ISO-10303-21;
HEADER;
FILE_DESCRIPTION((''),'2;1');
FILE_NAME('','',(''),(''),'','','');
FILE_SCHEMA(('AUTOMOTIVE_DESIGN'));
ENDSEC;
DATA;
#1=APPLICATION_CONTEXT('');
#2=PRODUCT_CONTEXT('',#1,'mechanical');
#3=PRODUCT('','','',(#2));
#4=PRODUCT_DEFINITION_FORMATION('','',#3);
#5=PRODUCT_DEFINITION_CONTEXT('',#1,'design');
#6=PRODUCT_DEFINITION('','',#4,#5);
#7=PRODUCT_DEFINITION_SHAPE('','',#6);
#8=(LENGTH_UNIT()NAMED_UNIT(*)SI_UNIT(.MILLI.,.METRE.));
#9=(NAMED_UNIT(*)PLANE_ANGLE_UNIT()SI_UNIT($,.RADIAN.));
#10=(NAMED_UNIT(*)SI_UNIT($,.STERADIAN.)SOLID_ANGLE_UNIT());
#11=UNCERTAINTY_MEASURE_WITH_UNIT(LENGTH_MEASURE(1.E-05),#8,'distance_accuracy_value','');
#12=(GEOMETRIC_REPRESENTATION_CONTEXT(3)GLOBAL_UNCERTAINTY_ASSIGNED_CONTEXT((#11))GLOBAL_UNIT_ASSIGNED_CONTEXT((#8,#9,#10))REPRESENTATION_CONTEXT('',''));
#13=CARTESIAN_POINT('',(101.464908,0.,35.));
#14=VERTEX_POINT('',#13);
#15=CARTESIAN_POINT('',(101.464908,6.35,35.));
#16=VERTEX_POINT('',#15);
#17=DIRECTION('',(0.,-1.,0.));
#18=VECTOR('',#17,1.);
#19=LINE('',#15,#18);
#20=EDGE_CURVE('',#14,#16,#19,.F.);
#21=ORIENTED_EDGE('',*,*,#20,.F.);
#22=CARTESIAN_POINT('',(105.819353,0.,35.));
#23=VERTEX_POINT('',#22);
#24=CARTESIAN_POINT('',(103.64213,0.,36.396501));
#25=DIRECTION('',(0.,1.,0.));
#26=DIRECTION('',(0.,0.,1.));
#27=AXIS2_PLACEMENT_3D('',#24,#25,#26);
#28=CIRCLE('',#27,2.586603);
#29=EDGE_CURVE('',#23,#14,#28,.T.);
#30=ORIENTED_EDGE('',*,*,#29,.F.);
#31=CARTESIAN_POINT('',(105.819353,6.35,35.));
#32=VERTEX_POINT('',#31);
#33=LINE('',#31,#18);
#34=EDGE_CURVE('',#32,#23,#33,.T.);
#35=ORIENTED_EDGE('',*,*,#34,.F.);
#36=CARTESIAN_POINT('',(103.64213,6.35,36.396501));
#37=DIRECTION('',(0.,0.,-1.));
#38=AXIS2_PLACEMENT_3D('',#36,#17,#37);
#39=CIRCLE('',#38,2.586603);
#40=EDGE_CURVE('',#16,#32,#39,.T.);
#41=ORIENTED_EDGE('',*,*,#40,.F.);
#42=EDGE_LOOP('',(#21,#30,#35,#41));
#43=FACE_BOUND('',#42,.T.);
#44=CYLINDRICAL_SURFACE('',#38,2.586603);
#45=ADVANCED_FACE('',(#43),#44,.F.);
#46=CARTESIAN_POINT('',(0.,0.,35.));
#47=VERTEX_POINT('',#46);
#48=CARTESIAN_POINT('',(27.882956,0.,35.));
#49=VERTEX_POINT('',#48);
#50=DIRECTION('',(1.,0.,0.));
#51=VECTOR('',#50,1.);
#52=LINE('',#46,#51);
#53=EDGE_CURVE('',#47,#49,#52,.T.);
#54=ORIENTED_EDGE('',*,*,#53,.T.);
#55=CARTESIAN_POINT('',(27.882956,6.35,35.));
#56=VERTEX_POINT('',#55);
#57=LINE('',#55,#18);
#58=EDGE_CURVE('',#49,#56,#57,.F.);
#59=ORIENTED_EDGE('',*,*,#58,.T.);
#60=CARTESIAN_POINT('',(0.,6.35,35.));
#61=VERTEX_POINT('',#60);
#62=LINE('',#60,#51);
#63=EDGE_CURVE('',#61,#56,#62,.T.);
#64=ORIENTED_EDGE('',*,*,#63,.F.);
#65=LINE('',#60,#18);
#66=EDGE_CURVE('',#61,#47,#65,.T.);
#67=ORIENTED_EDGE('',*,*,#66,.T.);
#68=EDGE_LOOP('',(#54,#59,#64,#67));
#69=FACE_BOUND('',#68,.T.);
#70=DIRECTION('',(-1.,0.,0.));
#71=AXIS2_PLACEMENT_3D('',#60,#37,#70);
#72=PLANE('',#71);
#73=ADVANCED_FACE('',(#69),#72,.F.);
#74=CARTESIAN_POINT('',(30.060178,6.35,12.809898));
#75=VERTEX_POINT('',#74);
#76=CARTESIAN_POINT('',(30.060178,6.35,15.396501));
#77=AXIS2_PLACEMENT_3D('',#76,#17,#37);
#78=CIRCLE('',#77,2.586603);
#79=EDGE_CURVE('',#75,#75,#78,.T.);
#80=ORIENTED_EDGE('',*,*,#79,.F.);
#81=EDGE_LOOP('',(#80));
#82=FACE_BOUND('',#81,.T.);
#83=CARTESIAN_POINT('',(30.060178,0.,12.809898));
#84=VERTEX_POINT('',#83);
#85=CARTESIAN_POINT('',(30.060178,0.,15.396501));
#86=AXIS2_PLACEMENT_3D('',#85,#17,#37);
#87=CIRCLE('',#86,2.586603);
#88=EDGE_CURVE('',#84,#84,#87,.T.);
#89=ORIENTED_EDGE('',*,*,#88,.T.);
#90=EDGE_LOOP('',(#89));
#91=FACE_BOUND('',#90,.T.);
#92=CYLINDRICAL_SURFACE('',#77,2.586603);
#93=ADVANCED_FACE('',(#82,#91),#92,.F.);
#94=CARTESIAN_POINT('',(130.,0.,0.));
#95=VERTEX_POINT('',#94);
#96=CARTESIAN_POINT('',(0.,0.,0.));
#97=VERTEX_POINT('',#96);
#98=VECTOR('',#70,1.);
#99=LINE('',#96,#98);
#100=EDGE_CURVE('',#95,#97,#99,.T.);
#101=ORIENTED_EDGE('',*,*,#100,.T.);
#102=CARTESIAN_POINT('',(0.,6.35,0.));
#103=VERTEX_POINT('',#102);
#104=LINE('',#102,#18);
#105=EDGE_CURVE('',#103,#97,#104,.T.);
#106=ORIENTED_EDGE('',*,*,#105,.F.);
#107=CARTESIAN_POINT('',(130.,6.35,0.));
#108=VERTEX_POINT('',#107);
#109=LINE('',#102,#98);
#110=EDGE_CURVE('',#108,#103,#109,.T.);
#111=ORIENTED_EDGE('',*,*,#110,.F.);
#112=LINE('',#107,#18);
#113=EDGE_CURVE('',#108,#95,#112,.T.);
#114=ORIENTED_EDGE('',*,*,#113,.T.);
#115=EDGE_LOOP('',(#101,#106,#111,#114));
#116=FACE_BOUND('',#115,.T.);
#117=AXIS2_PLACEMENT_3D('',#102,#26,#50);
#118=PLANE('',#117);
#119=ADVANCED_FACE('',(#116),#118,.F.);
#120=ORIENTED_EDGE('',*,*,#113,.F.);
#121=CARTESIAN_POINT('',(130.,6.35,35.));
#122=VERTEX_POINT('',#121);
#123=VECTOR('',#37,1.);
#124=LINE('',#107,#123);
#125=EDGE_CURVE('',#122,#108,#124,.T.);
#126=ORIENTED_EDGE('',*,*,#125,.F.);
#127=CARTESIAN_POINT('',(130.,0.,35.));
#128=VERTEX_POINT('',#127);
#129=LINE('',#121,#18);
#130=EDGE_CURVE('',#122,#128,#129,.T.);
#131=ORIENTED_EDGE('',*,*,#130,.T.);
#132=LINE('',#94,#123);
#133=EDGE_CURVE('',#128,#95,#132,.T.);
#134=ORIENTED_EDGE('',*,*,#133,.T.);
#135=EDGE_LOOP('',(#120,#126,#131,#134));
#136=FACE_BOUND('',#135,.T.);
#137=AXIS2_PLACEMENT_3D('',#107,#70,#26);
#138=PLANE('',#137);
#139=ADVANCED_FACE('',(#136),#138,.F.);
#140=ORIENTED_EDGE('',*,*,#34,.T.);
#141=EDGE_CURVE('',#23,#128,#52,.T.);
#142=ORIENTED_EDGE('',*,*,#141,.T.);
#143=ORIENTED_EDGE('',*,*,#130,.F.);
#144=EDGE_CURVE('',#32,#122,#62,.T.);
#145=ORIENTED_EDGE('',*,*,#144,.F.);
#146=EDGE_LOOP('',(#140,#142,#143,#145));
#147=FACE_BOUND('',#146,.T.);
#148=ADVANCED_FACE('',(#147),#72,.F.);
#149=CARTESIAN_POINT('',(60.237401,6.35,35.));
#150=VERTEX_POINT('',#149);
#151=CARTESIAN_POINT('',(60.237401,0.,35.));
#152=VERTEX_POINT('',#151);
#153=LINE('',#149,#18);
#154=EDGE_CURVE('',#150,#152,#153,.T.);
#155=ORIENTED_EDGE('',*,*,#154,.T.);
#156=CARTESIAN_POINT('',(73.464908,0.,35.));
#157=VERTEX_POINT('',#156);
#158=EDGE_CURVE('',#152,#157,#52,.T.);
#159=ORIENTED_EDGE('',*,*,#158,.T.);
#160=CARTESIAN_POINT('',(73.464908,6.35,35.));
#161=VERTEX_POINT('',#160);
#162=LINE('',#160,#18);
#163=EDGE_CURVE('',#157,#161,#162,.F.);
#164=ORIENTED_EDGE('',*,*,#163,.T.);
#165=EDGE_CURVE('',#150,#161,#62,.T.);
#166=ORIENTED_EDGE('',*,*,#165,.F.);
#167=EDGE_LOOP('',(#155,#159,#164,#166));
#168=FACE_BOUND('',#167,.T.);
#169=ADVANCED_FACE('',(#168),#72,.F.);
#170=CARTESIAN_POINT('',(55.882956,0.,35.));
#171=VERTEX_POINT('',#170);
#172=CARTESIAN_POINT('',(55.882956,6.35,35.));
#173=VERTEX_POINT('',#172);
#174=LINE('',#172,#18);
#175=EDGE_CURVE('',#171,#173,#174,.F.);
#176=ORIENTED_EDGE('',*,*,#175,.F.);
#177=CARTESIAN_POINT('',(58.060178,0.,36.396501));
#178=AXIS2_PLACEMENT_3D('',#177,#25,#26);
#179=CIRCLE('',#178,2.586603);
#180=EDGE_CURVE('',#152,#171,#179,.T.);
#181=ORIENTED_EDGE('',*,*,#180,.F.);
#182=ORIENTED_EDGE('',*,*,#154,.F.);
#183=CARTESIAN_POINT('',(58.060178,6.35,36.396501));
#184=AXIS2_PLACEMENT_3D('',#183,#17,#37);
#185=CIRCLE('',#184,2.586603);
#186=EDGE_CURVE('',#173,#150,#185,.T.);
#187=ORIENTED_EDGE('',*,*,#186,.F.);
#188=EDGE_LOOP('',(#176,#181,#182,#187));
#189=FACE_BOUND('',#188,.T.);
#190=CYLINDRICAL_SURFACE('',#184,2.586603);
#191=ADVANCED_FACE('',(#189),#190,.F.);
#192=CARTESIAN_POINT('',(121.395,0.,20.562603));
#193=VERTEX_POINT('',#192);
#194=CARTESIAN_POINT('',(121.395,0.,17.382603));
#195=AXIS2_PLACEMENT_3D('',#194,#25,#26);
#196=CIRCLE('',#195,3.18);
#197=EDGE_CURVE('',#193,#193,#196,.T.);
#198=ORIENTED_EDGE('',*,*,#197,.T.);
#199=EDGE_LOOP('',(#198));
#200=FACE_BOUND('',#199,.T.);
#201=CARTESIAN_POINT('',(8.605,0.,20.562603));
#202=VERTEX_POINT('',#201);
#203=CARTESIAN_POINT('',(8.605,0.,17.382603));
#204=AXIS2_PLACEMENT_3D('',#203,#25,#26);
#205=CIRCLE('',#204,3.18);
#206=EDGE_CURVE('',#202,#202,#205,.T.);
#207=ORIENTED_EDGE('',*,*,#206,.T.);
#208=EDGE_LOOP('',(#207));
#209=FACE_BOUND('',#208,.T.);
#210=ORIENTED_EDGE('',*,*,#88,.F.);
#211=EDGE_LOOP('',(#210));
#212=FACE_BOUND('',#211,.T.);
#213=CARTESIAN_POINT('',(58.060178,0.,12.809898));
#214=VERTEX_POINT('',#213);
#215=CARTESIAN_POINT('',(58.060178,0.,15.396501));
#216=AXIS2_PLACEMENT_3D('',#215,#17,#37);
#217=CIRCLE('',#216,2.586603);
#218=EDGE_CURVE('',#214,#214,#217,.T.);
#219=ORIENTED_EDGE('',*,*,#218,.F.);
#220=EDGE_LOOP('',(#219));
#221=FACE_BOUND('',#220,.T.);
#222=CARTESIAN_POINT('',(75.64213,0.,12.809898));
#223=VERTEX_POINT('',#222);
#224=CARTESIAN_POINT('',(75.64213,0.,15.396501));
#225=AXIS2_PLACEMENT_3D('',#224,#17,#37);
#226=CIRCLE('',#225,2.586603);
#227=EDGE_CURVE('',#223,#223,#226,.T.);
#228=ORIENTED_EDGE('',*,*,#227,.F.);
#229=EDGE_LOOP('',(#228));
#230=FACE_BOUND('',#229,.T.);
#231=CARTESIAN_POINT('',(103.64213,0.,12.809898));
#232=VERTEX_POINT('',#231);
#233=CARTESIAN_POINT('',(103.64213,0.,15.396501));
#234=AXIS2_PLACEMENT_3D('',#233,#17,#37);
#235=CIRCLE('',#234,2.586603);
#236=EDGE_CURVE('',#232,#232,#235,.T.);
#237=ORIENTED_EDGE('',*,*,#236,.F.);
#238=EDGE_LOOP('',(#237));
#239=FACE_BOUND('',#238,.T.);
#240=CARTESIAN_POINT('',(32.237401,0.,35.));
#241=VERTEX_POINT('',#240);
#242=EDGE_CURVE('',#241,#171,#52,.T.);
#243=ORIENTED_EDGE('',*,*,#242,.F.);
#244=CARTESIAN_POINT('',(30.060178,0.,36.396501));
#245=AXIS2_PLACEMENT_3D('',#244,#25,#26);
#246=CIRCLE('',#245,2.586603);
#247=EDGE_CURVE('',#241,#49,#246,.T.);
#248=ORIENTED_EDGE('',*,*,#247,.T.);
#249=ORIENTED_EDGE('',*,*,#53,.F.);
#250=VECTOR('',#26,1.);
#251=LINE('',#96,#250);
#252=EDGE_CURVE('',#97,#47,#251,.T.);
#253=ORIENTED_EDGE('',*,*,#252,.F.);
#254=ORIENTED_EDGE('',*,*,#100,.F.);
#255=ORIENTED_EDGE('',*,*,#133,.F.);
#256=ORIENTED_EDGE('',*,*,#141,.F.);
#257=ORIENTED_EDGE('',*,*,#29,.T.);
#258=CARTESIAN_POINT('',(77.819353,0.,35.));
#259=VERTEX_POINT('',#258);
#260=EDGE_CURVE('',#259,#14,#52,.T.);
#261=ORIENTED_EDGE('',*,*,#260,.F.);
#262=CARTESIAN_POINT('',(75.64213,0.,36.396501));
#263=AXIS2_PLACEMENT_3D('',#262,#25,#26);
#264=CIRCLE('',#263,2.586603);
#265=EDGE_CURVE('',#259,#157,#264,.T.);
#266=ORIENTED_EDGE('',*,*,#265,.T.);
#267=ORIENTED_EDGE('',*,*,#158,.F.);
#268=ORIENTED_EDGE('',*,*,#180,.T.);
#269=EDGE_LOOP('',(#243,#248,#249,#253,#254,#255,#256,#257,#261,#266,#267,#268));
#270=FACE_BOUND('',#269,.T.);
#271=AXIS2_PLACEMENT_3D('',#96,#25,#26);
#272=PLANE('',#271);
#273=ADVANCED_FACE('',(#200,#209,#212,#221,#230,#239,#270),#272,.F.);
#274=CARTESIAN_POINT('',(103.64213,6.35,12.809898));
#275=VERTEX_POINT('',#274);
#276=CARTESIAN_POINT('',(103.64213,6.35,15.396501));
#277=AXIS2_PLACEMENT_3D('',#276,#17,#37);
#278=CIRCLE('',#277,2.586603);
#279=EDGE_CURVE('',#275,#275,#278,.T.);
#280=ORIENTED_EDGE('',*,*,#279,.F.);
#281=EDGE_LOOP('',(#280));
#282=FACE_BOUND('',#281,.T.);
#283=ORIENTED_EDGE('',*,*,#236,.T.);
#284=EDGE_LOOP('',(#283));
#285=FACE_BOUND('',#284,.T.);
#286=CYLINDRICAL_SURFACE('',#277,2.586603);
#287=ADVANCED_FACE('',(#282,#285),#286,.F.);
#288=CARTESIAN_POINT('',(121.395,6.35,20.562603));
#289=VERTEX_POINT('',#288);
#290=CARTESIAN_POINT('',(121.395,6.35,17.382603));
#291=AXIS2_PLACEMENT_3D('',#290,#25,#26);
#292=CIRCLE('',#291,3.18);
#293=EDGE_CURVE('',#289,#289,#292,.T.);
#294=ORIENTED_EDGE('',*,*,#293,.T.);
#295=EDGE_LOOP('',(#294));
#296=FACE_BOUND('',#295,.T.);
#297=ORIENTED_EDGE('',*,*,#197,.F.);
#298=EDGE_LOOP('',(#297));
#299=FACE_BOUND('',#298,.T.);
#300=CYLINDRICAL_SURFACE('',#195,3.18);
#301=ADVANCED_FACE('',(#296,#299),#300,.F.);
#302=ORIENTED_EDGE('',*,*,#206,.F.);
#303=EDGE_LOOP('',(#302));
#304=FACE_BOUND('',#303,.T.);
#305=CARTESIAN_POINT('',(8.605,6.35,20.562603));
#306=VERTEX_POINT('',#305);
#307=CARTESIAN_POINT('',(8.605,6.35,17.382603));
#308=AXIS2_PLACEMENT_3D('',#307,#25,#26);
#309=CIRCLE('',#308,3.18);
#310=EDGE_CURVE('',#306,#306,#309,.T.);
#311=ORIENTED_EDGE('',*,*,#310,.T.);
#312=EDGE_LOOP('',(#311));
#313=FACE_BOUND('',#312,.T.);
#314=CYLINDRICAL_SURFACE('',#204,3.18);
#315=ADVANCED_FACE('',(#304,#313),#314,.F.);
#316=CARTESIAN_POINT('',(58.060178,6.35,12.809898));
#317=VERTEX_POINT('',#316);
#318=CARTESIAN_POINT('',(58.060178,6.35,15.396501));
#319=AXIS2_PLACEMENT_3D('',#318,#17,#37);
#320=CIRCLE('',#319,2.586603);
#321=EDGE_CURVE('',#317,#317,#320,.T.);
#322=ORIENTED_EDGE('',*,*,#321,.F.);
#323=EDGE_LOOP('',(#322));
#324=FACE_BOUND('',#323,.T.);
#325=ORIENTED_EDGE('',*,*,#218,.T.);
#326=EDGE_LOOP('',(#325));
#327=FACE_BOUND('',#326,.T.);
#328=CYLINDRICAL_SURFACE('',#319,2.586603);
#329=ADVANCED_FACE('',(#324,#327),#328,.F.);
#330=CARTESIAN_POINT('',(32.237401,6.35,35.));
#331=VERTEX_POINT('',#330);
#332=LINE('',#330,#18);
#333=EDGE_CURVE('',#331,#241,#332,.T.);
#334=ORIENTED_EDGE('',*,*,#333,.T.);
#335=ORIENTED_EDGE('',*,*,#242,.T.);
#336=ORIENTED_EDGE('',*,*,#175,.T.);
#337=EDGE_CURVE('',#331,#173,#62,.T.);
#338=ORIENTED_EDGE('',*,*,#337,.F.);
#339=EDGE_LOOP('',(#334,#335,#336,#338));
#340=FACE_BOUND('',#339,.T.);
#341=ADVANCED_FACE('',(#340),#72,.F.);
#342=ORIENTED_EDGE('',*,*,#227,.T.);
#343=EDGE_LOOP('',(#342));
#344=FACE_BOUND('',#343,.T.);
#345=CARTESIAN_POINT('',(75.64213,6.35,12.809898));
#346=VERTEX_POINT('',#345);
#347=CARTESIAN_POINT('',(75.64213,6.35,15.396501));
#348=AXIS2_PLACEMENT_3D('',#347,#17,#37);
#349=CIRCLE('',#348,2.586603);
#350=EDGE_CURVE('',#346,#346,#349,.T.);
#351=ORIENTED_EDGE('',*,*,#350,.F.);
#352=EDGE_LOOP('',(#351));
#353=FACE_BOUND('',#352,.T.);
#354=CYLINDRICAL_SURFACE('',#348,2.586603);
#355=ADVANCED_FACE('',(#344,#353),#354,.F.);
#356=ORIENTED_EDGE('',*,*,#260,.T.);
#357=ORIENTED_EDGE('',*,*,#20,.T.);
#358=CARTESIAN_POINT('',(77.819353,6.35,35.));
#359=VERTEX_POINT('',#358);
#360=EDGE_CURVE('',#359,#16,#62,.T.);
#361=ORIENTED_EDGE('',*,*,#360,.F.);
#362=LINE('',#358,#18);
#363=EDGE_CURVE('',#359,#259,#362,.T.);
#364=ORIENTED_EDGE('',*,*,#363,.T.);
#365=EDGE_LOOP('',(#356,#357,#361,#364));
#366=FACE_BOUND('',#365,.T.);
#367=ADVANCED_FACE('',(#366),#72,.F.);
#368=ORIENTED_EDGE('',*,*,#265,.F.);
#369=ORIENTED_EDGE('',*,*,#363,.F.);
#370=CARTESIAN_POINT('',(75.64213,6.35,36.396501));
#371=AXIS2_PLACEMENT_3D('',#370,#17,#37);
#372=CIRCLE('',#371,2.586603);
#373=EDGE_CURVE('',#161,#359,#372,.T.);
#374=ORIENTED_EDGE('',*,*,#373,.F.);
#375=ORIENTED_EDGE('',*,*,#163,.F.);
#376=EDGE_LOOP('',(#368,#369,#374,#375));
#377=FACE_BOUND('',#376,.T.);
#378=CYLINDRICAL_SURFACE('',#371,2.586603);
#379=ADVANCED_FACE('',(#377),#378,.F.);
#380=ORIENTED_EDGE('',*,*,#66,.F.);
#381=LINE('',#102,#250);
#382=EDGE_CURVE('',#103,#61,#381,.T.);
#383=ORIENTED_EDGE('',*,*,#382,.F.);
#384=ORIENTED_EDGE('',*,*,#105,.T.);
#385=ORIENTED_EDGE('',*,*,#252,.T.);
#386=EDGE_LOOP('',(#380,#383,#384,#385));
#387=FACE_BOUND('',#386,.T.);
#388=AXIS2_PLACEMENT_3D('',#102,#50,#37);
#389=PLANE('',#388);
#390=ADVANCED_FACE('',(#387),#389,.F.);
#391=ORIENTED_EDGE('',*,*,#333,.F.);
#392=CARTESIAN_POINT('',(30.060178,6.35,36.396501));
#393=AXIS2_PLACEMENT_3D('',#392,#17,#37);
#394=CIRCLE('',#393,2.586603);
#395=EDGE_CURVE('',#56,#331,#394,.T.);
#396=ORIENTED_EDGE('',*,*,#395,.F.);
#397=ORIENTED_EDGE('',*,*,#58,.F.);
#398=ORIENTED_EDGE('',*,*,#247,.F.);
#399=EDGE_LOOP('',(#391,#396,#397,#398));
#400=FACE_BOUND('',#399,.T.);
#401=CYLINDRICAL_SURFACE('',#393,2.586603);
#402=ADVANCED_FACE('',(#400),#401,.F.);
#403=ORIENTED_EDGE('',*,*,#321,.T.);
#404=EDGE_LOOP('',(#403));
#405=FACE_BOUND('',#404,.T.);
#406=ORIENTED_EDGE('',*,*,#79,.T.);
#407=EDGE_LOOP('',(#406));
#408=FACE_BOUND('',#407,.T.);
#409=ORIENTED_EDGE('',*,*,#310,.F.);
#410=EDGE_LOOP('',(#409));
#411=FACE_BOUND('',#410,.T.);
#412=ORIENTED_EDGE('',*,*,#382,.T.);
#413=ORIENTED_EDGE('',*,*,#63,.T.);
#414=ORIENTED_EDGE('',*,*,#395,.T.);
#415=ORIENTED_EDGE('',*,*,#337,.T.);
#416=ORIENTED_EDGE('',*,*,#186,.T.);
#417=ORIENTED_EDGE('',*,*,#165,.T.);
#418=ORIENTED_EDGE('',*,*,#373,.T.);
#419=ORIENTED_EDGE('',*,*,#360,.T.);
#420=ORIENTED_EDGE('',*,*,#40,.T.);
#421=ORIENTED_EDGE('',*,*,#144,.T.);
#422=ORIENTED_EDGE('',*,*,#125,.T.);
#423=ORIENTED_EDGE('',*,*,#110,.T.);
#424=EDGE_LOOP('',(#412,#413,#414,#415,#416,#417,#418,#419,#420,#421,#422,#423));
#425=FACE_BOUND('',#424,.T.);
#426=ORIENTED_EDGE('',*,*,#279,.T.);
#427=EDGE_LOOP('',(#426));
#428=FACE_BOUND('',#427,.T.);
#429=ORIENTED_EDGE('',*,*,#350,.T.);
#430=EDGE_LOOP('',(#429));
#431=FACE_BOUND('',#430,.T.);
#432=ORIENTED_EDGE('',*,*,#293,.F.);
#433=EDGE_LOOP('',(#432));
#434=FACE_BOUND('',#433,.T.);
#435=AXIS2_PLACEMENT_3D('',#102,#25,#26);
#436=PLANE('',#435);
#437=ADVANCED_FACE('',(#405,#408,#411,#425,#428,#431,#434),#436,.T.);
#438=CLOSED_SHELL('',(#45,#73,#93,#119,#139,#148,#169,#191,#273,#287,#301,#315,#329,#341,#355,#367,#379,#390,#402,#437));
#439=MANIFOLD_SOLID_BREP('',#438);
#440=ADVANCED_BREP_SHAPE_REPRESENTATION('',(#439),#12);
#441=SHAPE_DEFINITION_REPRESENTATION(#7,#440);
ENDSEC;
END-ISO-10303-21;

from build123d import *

# Parameters (mm, degrees)
SKETCH1_W           = 130
SKETCH1_H           = 35
BOSS_EXTRUDE1_DEPTH = 6.35
SKETCH5_R           = 3.18
CUT_EXTRUDE2_DEPTH  = 135.778790987
SKETCH8_R           = 2.58660254
CUT_EXTRUDE4_DEPTH  = 135.778790987


with BuildPart() as part:
    # Sketch1 → Boss-Extrude1 (new body)
    with BuildSketch(Plane(origin=(0, 0, 0), x_dir=(1, 0, 0), z_dir=(0, 1, 0))):
        with Locations((65, -17.5)):
            Rectangle(SKETCH1_W, SKETCH1_H)
    extrude(amount=BOSS_EXTRUDE1_DEPTH)

    # Sketch5 → Cut-Extrude2 (cut, through all)
    with BuildSketch(Plane(origin=(0, 6.35, 0), x_dir=(1, 0, 0), z_dir=(0, 1, 0))):
        with Locations(Location((8.605, -17.382603272, 0), (0, 0, 270))):
            Circle(SKETCH5_R)
        with Locations(Location((121.395, -17.382603272, 0), (0, 0, 270))):
            Circle(SKETCH5_R)
    extrude(amount=-CUT_EXTRUDE2_DEPTH, mode=Mode.SUBTRACT)

    # Sketch8 → Cut-Extrude4 (cut, through all)
    with BuildSketch(Plane.XZ):
        with Locations(Location((30.060178317, 15.396500763, 0), (0, 0, 270))):
            Circle(SKETCH8_R)
        with Locations((30.060178317, 36.396500763)):
            Circle(SKETCH8_R)
        with Locations((58.060178317, 36.396500763)):
            Circle(SKETCH8_R)
        with Locations(Location((58.060178317, 15.396500763, 0), (0, 0, 270))):
            Circle(SKETCH8_R)
        with Locations(Location((75.642130445, 15.396500763, 0), (0, 0, 270))):
            Circle(SKETCH8_R)
        with Locations((75.642130445, 36.396500763)):
            Circle(SKETCH8_R)
        with Locations(Location((103.642130445, 15.396500763, 0), (0, 0, 270))):
            Circle(SKETCH8_R)
        with Locations((103.642130445, 36.396500763)):
            Circle(SKETCH8_R)
    extrude(amount=-CUT_EXTRUDE4_DEPTH, mode=Mode.SUBTRACT)


solid = part.part
